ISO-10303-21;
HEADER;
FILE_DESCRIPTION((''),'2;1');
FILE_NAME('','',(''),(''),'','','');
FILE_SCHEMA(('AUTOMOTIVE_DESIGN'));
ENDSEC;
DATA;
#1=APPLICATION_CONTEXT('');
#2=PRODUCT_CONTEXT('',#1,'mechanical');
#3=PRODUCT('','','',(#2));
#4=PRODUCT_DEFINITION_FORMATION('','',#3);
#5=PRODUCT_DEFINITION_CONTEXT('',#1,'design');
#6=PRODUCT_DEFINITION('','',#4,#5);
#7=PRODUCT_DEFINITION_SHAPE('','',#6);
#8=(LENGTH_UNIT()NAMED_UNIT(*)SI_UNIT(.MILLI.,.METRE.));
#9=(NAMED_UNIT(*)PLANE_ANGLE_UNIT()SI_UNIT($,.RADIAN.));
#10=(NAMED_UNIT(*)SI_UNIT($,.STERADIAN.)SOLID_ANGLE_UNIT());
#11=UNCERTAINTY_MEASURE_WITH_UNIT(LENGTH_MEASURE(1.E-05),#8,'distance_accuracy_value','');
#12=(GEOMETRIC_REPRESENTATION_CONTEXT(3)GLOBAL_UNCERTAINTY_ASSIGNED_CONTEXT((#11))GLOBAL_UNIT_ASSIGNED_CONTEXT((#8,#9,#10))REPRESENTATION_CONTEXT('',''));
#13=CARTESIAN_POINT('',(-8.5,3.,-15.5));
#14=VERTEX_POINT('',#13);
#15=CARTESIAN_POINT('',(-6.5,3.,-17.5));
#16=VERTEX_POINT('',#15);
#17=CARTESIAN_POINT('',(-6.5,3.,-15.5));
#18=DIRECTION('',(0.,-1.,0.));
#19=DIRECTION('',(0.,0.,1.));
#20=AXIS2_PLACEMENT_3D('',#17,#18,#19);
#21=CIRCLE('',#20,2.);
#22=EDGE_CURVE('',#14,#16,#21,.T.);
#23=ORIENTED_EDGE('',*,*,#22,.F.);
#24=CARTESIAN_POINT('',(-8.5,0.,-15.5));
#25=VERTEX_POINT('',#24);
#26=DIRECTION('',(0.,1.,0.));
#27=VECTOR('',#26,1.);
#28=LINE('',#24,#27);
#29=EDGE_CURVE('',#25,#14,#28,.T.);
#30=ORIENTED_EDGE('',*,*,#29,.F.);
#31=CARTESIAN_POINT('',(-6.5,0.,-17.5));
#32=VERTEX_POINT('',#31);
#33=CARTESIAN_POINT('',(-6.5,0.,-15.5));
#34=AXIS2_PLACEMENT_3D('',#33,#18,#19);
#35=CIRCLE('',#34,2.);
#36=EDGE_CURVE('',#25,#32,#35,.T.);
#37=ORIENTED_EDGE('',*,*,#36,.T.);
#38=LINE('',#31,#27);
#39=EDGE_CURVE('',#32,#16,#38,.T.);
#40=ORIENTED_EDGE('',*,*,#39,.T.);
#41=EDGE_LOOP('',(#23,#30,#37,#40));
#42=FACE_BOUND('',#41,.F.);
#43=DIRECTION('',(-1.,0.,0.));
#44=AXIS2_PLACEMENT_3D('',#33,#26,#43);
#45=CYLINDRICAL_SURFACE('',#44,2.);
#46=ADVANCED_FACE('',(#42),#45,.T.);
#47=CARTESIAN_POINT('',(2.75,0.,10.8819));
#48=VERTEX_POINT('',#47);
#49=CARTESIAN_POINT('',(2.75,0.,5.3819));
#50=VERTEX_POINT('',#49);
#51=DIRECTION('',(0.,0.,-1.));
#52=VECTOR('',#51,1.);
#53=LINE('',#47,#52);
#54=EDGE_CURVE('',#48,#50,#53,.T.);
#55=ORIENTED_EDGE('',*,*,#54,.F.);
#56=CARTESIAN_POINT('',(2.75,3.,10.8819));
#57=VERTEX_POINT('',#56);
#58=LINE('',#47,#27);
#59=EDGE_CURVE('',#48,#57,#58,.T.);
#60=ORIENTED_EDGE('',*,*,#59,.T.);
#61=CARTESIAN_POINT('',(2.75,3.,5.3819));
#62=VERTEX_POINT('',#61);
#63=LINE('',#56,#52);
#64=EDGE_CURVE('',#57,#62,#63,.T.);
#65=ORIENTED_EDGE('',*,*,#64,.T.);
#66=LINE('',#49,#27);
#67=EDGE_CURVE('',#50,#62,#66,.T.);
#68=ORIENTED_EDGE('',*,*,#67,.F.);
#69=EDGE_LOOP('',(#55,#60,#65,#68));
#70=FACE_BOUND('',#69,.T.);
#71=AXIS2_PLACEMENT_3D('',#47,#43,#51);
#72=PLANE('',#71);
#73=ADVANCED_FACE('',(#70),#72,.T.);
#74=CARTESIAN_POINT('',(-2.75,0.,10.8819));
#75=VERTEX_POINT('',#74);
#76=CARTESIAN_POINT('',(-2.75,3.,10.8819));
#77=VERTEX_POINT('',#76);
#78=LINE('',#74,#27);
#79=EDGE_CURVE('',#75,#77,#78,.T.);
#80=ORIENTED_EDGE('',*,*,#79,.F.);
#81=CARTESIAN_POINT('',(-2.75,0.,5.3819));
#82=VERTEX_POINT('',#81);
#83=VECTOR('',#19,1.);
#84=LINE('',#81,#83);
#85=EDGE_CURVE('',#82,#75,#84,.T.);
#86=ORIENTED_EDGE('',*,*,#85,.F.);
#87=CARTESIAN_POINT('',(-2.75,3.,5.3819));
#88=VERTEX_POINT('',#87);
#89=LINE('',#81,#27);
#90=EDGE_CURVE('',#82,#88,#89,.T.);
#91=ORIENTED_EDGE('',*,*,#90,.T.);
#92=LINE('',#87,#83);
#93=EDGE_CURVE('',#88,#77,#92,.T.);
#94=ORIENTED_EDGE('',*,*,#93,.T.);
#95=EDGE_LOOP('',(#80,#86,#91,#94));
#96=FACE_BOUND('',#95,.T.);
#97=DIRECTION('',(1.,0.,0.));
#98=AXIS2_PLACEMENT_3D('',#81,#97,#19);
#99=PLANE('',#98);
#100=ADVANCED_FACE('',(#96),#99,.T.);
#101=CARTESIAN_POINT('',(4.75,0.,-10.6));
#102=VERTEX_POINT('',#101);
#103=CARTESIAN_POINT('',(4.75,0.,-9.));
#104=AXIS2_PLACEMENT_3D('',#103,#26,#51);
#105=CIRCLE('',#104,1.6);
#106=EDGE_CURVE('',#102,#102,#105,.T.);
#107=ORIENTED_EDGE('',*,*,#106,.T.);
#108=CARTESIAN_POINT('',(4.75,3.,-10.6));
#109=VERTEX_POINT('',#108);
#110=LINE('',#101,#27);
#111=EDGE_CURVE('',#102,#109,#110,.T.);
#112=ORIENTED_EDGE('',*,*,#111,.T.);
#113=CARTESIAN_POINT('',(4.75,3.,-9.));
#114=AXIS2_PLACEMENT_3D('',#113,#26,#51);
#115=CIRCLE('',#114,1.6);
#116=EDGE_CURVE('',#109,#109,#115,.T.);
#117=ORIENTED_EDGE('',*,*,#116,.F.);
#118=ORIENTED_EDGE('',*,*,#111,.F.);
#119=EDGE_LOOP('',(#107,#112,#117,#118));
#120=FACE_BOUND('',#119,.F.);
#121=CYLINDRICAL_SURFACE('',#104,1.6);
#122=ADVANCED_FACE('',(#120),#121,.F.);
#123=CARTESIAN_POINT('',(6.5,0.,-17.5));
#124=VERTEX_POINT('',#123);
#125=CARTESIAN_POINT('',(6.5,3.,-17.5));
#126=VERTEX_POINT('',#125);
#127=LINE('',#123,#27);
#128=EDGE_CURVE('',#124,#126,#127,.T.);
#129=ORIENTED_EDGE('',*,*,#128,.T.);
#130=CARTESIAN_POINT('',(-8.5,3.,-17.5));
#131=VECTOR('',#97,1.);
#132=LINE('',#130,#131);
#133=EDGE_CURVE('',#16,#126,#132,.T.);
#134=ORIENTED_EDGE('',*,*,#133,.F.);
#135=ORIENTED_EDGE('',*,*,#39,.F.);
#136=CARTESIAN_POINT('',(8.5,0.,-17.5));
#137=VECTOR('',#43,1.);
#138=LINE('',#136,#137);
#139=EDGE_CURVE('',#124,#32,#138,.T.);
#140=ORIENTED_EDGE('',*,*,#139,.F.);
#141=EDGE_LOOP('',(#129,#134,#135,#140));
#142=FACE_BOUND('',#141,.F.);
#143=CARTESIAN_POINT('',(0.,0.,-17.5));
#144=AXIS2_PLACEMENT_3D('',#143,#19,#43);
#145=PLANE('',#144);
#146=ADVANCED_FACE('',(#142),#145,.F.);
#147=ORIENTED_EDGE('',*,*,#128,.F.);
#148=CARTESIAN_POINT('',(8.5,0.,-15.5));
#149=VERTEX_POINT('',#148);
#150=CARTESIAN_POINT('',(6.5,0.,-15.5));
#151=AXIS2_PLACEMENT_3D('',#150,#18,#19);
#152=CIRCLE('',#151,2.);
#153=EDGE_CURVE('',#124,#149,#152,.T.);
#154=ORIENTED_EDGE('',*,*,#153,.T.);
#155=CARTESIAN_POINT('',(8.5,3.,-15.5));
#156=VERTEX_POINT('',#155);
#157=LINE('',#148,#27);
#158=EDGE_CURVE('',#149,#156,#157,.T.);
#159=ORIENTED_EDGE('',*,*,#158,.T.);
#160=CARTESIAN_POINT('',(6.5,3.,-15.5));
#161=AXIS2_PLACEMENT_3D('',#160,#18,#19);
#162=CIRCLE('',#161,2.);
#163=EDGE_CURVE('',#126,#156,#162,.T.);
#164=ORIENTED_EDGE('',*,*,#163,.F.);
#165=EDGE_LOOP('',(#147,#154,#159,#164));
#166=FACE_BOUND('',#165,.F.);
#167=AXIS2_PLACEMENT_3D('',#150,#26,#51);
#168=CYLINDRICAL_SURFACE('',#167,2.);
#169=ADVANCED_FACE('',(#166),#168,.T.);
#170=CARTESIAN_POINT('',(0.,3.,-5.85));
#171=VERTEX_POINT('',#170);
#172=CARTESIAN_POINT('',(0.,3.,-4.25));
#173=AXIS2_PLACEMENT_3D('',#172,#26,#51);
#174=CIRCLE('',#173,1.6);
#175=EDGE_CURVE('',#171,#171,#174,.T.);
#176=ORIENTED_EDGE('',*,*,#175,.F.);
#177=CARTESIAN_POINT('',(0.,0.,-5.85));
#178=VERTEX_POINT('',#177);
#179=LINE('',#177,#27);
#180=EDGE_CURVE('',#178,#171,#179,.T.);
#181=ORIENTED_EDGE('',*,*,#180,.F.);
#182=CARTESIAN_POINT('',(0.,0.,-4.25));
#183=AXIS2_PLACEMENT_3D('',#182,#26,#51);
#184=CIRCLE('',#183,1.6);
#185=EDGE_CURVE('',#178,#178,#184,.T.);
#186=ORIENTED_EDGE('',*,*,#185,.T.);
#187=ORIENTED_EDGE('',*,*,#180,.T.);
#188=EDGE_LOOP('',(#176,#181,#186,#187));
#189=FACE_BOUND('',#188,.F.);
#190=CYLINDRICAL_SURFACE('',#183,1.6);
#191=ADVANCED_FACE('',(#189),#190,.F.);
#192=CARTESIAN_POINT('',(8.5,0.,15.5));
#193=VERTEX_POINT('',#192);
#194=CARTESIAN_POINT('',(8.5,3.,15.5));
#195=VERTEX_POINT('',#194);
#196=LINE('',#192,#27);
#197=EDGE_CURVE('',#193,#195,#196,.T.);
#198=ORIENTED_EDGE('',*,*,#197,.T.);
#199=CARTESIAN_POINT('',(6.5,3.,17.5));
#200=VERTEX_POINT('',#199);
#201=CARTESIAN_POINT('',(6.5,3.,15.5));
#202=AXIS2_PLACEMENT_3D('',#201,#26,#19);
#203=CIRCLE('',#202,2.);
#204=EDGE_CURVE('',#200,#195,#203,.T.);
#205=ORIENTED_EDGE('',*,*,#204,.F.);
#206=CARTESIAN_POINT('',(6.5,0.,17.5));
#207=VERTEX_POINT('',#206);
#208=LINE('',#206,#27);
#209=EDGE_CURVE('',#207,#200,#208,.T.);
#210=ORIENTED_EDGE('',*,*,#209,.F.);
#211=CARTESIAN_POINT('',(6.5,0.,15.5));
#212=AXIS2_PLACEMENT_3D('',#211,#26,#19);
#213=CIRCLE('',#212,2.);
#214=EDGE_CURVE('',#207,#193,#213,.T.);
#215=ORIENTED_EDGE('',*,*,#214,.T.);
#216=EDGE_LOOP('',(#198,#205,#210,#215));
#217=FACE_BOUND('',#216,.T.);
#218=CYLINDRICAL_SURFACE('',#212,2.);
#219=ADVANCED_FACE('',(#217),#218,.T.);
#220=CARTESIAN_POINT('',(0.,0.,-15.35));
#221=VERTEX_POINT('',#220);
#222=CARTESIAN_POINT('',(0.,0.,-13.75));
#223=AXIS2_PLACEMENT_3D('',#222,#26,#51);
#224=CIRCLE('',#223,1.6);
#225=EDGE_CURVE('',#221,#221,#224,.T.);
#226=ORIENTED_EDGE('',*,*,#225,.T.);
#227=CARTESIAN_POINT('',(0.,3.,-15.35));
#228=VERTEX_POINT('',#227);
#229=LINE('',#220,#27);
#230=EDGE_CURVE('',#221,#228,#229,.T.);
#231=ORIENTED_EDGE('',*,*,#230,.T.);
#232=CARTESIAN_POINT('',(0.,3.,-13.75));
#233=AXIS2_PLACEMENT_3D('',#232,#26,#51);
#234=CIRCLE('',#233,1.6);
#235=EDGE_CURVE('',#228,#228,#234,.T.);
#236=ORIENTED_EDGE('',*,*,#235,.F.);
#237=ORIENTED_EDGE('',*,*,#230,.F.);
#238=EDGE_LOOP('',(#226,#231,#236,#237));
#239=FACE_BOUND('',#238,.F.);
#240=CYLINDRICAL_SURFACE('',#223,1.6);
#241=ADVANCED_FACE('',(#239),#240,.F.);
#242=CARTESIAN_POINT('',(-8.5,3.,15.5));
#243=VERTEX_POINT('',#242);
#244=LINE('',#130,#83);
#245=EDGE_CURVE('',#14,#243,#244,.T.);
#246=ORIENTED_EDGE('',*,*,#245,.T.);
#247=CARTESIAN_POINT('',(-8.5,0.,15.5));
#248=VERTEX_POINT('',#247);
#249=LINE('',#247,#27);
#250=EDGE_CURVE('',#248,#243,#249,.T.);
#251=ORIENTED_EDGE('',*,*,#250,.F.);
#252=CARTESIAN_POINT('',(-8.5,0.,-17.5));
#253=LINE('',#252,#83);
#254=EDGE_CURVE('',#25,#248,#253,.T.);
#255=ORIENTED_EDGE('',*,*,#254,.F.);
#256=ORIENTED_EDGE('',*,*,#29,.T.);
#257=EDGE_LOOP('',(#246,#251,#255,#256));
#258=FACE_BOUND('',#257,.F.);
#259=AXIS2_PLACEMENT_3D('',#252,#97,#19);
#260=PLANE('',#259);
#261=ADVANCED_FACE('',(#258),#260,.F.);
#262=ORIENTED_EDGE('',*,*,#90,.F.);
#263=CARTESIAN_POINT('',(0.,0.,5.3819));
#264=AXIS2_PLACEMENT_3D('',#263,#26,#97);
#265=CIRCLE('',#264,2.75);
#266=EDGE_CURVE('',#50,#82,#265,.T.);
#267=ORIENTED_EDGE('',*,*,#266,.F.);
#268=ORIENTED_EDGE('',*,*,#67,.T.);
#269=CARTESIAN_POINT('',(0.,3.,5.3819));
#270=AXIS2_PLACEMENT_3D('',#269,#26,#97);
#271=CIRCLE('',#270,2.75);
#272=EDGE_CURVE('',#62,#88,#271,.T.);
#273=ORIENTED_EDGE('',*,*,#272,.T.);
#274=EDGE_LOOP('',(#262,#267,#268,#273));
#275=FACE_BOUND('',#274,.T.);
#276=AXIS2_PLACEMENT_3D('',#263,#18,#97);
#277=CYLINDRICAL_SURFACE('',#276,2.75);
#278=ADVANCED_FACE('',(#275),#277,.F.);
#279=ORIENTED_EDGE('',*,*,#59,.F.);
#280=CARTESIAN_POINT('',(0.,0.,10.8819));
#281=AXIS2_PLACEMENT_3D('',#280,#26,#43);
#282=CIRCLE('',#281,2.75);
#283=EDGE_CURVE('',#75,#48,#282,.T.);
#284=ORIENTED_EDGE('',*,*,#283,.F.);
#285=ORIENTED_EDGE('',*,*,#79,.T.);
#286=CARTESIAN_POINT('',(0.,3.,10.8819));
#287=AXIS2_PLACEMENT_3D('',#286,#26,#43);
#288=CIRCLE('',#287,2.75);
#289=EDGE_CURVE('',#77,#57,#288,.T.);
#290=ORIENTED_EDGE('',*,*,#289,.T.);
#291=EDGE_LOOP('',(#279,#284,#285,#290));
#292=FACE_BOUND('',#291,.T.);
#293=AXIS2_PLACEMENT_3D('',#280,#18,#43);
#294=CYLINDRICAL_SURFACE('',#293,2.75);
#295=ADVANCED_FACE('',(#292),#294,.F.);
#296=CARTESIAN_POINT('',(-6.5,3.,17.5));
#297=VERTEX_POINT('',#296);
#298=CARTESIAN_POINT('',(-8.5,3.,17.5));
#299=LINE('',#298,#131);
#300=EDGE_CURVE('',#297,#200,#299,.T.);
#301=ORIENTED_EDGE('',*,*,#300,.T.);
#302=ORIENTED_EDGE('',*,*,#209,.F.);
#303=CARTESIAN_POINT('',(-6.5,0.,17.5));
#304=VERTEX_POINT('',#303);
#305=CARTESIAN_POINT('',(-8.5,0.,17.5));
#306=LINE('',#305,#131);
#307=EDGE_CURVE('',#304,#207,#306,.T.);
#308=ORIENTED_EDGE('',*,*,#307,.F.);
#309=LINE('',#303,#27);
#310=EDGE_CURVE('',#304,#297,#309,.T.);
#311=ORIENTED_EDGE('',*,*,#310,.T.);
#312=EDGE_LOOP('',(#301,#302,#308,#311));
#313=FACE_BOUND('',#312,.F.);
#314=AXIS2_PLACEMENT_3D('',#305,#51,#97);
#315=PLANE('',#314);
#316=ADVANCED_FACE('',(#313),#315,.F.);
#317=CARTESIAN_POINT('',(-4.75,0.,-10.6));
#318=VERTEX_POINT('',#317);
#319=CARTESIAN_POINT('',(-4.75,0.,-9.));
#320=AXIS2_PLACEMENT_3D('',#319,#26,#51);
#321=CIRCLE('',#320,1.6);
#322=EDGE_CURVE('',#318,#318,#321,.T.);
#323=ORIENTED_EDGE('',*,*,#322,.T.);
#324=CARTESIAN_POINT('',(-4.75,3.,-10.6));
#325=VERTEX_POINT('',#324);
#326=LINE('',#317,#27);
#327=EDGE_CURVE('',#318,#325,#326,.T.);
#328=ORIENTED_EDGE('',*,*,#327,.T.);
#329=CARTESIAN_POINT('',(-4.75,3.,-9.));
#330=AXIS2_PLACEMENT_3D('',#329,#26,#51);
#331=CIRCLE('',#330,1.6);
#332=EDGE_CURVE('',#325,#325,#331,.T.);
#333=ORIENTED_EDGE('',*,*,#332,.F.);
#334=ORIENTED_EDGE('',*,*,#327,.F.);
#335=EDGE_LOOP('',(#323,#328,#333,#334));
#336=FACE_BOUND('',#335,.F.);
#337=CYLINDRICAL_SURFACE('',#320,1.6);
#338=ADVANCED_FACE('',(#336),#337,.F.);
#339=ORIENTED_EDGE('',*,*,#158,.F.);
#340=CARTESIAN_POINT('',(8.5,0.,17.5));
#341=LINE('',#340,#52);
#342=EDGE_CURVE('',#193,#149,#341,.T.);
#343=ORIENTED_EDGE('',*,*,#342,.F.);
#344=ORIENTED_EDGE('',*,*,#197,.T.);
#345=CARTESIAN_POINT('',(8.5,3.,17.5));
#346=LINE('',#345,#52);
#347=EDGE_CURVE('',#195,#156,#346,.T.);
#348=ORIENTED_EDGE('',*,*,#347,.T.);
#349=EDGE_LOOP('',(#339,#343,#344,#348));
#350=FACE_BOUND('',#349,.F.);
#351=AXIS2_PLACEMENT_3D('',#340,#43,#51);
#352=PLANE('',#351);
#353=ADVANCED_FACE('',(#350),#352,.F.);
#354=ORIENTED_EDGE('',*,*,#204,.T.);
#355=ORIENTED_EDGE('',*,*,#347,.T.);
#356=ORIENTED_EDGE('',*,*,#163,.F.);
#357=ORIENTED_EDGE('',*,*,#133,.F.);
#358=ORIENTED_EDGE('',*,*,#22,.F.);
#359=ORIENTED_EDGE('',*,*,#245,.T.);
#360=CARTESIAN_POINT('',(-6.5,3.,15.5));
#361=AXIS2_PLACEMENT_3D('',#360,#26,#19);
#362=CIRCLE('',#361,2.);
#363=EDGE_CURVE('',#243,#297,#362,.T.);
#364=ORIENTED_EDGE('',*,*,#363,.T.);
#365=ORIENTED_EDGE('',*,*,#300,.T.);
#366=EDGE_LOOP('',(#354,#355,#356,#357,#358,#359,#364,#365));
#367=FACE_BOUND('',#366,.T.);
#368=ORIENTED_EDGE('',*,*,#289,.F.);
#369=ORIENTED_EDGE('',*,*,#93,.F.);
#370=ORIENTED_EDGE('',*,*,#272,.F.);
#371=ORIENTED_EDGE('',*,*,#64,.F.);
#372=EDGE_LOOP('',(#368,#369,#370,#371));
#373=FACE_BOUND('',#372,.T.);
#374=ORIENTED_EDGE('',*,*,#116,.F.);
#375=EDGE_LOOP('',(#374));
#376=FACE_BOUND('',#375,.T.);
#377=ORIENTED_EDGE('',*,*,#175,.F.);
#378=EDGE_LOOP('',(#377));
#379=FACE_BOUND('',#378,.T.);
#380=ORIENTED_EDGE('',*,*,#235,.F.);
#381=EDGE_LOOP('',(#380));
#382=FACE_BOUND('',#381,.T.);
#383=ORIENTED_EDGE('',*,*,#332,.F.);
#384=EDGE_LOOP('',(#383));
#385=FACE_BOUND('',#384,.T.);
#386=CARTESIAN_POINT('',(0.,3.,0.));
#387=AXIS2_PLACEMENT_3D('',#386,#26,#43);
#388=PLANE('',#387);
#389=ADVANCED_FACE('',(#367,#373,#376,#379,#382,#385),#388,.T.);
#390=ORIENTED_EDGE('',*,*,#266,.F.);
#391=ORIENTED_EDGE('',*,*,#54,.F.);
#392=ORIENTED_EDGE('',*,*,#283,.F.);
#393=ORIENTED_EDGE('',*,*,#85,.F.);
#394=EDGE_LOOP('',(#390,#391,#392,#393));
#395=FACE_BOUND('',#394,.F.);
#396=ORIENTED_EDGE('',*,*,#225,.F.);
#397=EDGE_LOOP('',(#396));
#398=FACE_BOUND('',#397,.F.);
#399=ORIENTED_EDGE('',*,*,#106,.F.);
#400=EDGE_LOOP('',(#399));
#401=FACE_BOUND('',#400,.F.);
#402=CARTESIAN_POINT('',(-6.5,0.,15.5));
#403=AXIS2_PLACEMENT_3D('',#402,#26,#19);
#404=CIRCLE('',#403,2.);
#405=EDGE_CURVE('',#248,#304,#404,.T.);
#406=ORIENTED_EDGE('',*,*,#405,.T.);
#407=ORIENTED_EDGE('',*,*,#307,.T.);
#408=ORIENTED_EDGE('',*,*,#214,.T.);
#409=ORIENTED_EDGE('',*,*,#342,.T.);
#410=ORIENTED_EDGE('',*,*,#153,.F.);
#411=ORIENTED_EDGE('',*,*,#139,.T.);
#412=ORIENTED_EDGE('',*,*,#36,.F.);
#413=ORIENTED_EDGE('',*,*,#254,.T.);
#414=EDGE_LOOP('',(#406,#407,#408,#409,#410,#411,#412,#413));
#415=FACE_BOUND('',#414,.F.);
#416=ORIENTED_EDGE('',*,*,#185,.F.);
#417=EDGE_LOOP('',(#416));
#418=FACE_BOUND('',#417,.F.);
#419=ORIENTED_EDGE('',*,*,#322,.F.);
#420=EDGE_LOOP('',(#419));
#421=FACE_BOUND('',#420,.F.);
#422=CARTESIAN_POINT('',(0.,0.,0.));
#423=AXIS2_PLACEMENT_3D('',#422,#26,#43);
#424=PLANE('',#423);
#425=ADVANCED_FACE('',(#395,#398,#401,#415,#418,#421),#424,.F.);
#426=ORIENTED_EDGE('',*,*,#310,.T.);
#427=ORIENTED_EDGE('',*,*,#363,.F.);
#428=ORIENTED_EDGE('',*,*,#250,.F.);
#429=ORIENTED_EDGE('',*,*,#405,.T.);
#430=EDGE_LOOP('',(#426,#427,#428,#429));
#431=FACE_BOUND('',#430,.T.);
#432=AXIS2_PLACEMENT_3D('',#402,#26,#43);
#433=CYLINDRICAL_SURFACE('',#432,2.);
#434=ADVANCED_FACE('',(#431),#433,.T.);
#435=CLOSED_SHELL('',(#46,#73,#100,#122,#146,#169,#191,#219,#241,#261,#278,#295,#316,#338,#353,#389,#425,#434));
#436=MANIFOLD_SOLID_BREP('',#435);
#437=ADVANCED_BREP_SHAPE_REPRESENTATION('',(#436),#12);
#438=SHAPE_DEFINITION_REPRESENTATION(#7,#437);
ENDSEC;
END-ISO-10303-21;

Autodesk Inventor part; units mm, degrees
ref_plane "YZ Plane" through (0, 0, 0) normal (1, 0, 0) x (0, 1, 0)
ref_plane "XZ Plane" through (0, 0, 0) normal (0, 1, 0) x (-1, 0, 0)
sketch "Sketch1" plane through (0, 0, 0) normal (0, 1, 0) x (-1, 0, 0)
  line L0 (8.5, 17.5) -> (-8.5, 17.5)
  line L1 (-8.5, 17.5) -> (-8.5, -17.5)
  line L2 (-8.5, -17.5) -> (8.5, -17.5)
  line L3 (8.5, -17.5) -> (8.5, 17.5)
  line L4 (8.5, 17.5) -> (-8.5, -17.5) construction
  line L5 (-8.5, 17.5) -> (8.5, -17.5) construction
  line L6 (0, -17.5) -> (0, -0.5)
  line L7 (0, -9) -> (4.75, -9) construction
  circle A0 centre (0, -9) radius 4.75 construction
  line L8 (0, 10.8819) -> (0, 5.3819) construction
  line L9 (-2.75, 10.8819) -> (-2.75, 5.3819)
  line L10 (2.75, 5.3819) -> (2.75, 10.8819)
  arc A1 (2.75, 10.8819) -> (-2.75, 10.8819) centre (0, 10.8819) ccw
  arc A2 (-2.75, 5.3819) -> (2.75, 5.3819) centre (0, 5.3819) ccw
  point P0 (0, 0)
  point P1 (0, -4.25)
  point P2 (0, -13.75)
  point P3 (-4.75, -9)
  point P4 (0, 8.1319)
  dimension "d0" = 17
  dimension "d1" = 35
  dimension "d2" = 17
  dimension "d3" = 4.75
  dimension "d4" = 2.75
  dimension "d5" = 5.5
extrude "Plate1" add sketch "Sketch1" along normal blind 3
hole "Hole1" at (0, 0, -4.25) at (0, 0, -13.75) at (-4.75, 0, -9) at (4.75, 0, -9) direction (0, 1, 0) diameter 3.2 depth 3 tip angle 118
fillet "Fillet1" radius 2 4 edges at (-8.5, 1.5, 17.5) (8.5, 1.5, 17.5) (-8.5, 1.5, -17.5) (8.5, 1.5, -17.5)
ref_plane "Work Plane1" through (0, 0, 5.3819) normal (-1, 0, 0) x (0, 0, 1)
equation "\"d12\" = Thickness"
equation "\"d6\" = Thickness"
equation "\"BendRadius\" = Thickness"
equation "\"BendReliefWidth\" = Thickness"
equation "\"BendReliefDepth\" = 0.5 * Thickness"
equation "\"CornerReliefSize\" = 4 * Thickness"
equation "\"MinimumRemnant\" = 2 * Thickness"
equation "\"TransitionRadius\" = BendRadius"
equation "\"JacobiRadiusSize\" = BendRadius"
equation "\"GapSize\" = Thickness"
equation "\"Thickness\" = 3"
properties part number "LimitSwitchMount" material "Aluminum 6061"
